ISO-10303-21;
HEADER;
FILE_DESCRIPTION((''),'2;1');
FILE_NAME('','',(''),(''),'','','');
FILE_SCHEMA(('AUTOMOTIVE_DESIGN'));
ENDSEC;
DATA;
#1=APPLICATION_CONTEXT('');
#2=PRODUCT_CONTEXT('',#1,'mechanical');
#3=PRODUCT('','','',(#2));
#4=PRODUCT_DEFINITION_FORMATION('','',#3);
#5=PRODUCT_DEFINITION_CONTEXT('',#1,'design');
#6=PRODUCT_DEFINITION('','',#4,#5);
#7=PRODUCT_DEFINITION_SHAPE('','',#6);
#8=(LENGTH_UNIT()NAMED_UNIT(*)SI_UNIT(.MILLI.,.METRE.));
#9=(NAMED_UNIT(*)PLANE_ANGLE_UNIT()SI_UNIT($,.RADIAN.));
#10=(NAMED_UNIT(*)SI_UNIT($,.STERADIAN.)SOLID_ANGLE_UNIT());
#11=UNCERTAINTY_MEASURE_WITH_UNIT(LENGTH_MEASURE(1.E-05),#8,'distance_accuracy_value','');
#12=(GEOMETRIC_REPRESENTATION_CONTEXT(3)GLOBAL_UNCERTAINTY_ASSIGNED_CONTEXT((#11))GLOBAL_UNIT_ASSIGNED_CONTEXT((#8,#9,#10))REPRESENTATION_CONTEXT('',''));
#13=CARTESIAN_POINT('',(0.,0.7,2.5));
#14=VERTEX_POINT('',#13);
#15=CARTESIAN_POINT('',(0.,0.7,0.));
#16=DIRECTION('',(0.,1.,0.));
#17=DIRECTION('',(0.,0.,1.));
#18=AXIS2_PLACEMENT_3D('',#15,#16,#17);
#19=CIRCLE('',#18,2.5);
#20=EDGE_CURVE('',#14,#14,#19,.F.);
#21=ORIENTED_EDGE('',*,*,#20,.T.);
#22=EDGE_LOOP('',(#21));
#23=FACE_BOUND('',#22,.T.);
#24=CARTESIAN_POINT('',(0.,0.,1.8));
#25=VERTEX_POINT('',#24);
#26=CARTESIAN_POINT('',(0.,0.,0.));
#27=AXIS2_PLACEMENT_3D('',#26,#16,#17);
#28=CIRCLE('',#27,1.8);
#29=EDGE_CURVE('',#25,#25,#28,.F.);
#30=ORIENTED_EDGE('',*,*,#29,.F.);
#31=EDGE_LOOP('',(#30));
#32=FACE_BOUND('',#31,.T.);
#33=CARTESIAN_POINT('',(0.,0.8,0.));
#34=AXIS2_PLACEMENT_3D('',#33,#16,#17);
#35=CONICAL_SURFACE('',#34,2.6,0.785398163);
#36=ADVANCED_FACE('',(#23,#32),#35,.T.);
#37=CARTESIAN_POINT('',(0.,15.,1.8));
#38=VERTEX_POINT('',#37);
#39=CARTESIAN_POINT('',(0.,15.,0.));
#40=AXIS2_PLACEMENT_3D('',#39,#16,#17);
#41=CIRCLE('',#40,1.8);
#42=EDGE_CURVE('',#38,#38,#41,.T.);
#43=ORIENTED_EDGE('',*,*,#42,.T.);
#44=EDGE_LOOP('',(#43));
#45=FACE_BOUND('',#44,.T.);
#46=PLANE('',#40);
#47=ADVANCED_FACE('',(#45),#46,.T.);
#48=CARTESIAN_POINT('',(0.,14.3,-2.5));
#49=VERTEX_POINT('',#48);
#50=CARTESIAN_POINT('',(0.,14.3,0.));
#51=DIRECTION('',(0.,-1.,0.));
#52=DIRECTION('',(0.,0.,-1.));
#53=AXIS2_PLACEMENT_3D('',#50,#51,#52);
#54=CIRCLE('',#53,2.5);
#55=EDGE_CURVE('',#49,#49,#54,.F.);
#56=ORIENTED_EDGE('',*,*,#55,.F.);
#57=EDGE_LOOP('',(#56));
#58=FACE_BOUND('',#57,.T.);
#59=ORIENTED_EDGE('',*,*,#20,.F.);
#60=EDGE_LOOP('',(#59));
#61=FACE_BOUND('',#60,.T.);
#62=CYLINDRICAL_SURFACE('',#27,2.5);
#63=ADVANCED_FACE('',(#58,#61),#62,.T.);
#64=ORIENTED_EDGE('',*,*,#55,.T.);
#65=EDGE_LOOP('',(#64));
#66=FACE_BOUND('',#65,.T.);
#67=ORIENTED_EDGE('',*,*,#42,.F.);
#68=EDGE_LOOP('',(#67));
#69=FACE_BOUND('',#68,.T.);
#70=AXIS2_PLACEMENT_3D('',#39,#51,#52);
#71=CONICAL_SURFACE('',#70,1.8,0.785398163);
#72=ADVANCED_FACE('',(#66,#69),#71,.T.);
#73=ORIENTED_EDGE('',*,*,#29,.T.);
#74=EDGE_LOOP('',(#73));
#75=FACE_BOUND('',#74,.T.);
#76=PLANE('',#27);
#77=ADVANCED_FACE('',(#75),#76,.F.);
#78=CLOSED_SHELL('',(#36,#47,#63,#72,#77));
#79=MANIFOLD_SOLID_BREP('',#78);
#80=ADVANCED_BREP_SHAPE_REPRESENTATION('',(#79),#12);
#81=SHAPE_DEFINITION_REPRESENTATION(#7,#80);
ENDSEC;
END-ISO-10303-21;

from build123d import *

# Parameters (mm, degrees)
SKETCH1_R           = 2.6
BOSS_EXTRUDE1_DEPTH = 15
CHAMFER1_SIZE       = 0.8
SKETCH2_R           = 2.6
SKETCH2_R_2         = 2.5
CUT_EXTRUDE2_DEPTH  = 16.444092722


with BuildPart() as part:
    # Sketch1 → Boss-Extrude1 (new body)
    with BuildSketch(Plane(origin=(0, 0, 0), x_dir=(1, 0, 0), z_dir=(0, 1, 0))):
        with Locations(Location((0, 0, 0), (0, 0, 270))):
            Circle(SKETCH1_R)
    extrude(amount=BOSS_EXTRUDE1_DEPTH)

    # Chamfer1
    chamfer1_edges = [part.edges().sort_by_distance(p)[0] for p in [
        (0, 0, -2.6),
        (0, 15, -2.6),
    ]]
    chamfer(chamfer1_edges, length=CHAMFER1_SIZE)

    # Sketch2 → Cut-Extrude2 (cut, through all)
    with BuildSketch(Plane(origin=(0, 15, 0), x_dir=(1, 0, 0), z_dir=(0, 1, 0))):
        Circle(SKETCH2_R)
        with Locations(Location((0, 0, 0), (0, 0, 270))):
            Circle(SKETCH2_R_2, mode=Mode.SUBTRACT)
    extrude(amount=-CUT_EXTRUDE2_DEPTH, mode=Mode.SUBTRACT)


solid = part.part
